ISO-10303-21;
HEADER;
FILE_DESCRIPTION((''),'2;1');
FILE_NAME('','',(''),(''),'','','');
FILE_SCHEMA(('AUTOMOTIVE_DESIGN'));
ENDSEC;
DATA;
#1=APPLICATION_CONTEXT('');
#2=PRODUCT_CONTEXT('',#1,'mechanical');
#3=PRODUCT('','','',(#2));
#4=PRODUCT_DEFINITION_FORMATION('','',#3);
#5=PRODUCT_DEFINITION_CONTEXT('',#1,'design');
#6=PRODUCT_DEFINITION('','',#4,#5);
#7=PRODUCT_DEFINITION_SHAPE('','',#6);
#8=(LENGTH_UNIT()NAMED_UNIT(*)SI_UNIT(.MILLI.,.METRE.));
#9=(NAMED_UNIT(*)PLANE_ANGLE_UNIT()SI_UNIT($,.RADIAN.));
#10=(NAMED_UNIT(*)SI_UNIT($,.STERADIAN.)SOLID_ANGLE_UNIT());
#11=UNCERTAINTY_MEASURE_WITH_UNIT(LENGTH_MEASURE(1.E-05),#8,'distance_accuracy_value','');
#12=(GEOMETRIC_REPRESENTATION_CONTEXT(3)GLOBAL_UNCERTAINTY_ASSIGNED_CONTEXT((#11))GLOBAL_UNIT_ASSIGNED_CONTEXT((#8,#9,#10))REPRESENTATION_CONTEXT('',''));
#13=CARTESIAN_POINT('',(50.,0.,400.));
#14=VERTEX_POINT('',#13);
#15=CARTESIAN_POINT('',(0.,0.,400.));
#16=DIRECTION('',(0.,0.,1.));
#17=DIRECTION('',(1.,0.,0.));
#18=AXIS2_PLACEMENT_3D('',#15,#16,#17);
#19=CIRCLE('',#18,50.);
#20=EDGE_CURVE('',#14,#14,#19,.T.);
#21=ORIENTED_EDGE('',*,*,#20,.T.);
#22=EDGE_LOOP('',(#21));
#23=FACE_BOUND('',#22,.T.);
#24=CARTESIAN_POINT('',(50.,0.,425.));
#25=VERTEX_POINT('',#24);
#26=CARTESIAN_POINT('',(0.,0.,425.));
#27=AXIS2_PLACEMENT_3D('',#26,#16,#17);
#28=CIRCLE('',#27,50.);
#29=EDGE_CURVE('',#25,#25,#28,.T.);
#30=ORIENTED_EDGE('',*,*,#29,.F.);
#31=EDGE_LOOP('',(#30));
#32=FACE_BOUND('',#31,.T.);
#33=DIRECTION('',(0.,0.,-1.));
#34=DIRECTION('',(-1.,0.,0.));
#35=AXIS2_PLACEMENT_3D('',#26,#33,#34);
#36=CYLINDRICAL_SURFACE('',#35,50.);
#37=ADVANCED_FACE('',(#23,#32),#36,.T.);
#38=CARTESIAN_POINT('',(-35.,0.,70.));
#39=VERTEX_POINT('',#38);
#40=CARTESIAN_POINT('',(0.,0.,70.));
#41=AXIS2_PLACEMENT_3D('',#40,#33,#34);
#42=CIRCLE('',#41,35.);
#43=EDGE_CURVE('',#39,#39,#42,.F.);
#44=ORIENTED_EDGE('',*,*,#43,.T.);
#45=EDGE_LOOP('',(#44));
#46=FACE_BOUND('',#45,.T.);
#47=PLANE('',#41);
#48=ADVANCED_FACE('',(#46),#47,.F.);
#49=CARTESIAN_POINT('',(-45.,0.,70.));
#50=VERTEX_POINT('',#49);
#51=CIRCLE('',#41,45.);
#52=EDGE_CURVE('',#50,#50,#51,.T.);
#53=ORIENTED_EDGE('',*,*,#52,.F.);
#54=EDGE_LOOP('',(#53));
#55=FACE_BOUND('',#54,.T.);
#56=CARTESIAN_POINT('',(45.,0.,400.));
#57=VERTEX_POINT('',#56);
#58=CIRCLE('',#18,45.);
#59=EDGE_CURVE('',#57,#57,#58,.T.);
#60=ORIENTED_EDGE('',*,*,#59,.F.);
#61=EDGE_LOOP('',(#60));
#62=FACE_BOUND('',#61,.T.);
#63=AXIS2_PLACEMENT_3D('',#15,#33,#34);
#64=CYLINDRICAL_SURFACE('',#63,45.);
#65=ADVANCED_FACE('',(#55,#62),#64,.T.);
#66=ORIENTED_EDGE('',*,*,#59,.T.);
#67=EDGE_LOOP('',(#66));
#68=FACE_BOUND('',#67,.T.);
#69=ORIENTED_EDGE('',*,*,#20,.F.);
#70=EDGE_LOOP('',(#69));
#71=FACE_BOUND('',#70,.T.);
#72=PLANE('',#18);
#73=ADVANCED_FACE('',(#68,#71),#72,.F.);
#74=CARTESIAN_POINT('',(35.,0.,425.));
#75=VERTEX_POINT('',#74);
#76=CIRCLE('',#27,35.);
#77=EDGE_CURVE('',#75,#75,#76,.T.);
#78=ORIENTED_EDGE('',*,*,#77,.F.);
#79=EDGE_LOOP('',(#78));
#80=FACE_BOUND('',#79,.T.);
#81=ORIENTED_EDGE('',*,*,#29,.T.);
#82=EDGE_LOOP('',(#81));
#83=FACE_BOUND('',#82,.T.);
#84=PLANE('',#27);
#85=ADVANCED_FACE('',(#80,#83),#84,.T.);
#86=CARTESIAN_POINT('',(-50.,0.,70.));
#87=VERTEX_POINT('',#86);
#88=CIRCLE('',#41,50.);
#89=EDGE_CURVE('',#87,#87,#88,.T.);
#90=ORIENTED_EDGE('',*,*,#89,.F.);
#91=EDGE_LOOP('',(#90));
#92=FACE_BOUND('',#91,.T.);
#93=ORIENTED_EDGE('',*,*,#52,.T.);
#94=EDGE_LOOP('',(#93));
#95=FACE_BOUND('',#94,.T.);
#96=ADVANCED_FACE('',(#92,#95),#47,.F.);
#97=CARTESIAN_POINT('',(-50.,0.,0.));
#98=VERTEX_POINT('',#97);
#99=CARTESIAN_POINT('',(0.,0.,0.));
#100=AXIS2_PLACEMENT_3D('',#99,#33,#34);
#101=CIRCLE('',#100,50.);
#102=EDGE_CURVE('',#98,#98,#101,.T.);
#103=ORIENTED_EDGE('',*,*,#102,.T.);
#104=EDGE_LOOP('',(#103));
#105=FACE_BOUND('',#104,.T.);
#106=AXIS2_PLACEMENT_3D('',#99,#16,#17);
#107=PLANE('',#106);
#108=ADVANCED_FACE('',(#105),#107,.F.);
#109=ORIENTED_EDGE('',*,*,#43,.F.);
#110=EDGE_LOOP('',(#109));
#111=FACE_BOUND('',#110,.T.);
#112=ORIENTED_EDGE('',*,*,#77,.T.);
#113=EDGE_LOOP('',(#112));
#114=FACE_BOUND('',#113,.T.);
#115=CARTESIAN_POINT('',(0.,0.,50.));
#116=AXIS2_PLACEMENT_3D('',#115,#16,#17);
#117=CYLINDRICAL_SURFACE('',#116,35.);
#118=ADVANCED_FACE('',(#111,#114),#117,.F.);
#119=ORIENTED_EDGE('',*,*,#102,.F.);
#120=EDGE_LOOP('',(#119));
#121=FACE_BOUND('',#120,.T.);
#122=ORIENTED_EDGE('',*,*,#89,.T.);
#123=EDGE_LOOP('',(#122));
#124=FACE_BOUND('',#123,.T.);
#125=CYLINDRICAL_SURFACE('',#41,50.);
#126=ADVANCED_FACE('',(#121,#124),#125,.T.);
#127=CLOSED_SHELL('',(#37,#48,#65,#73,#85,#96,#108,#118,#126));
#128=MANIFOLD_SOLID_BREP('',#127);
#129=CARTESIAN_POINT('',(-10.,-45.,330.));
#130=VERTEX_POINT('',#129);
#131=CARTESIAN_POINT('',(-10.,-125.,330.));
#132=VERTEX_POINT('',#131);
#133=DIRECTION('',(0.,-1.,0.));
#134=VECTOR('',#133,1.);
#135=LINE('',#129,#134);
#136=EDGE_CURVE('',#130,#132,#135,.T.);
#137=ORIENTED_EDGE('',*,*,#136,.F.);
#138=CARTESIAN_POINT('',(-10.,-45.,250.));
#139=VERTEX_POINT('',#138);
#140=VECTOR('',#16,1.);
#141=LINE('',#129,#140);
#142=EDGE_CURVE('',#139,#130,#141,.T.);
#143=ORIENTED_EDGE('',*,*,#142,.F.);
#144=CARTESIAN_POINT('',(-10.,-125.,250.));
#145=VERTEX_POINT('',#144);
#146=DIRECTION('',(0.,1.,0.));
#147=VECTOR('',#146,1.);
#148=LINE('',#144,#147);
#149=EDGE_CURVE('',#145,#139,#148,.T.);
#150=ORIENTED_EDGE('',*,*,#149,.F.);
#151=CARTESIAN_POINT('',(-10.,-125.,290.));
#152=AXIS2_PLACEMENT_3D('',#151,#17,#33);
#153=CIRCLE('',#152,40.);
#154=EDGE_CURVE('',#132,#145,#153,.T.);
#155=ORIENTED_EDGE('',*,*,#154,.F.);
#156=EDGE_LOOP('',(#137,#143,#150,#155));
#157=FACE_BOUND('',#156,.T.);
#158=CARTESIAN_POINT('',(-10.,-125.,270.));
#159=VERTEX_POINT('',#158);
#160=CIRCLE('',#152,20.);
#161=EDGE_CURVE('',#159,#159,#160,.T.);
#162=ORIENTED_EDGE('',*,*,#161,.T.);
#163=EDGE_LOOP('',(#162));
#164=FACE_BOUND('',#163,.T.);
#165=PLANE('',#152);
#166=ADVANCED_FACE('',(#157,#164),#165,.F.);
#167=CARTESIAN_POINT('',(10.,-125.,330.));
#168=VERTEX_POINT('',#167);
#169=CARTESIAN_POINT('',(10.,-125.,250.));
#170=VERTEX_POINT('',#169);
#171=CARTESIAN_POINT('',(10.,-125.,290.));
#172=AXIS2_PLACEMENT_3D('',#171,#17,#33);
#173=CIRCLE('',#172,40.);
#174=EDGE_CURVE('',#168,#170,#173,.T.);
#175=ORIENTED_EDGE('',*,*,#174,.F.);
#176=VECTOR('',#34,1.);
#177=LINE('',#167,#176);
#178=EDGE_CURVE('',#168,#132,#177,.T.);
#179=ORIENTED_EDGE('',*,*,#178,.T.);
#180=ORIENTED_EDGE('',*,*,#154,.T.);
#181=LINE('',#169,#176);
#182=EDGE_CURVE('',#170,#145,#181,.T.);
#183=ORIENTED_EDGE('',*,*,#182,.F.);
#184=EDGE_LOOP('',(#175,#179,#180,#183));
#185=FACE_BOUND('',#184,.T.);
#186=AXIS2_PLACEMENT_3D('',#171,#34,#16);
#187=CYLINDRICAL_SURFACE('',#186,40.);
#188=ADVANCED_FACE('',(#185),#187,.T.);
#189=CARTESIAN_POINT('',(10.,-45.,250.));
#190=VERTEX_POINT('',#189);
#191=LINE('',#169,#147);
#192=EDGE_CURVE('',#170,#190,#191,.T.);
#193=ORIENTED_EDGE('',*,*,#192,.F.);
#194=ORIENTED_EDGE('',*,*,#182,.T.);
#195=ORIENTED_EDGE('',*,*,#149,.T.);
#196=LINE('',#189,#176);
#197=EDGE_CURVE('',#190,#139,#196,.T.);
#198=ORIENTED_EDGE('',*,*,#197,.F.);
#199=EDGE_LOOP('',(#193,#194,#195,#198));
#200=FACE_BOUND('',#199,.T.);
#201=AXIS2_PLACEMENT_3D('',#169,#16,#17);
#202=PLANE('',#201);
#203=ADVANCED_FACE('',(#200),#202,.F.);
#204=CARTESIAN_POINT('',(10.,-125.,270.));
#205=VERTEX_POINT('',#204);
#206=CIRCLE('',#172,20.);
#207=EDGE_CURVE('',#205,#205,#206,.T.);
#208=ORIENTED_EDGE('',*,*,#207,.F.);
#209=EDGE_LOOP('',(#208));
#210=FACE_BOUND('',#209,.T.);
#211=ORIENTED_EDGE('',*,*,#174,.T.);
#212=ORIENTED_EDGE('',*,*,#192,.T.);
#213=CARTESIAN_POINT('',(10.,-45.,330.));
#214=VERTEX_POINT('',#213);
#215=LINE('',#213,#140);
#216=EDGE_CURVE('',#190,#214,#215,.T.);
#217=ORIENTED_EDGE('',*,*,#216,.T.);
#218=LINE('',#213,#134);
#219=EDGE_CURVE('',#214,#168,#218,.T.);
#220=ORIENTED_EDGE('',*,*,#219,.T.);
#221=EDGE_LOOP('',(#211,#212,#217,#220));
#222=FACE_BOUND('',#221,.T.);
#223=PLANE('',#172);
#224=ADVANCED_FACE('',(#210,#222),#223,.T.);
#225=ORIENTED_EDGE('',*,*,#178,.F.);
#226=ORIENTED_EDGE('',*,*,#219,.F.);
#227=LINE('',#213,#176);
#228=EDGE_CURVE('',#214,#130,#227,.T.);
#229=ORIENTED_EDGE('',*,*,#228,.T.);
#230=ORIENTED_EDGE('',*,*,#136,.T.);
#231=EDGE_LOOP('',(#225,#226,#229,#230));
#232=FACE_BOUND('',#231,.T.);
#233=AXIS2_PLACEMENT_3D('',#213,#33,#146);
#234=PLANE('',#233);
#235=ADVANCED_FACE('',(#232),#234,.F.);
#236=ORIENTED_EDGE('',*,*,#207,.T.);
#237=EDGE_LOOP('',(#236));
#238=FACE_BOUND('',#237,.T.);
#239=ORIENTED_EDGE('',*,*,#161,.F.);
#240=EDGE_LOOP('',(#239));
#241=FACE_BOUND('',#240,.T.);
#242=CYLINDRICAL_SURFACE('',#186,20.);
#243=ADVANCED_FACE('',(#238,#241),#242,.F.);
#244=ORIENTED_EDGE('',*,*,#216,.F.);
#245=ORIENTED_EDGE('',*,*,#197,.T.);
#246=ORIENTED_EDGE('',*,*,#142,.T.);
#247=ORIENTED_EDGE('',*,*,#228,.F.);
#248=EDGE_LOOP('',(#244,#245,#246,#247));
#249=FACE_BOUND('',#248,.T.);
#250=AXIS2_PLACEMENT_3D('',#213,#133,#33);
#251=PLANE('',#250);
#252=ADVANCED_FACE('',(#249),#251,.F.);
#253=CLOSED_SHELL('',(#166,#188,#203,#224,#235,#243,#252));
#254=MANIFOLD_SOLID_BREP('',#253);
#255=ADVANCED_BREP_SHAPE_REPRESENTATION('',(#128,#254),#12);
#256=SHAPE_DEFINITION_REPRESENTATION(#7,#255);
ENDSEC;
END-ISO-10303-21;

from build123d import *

# Parameters (mm, degrees)
IZIM1_R                     = 45
Y_KSEKLIK_EKSTR_ZYON1_DEPTH = 400
IZIM2_R                     = 35
KES_EKSTR_ZYON1_DEPTH       = 350
IZIM4_R                     = 50
Y_KSEKLIK_EKSTR_ZYON2_DEPTH = 70
IZIM6_R                     = 50
IZIM6_R_2                   = 35
Y_KSEKLIK_EKSTR_ZYON4_DEPTH = 25
IZIM5_R                     = 20
Y_KSEKLIK_EKSTR_ZYON5_DEPTH = 10


with BuildPart() as part:
    # Çizim1 → Yükseklik-Ekstrüzyon1 (new body)
    with BuildSketch(Plane.XY):
        Circle(IZIM1_R)
    extrude(amount=Y_KSEKLIK_EKSTR_ZYON1_DEPTH)

    # Çizim2 → Kes-Ekstrüzyon1 (cut)
    with BuildSketch(Plane.XY.offset(400)):
        Circle(IZIM2_R)
    extrude(amount=-KES_EKSTR_ZYON1_DEPTH, mode=Mode.SUBTRACT)

    # Çizim4 → Yükseklik-Ekstrüzyon2 (add)
    with BuildSketch(Plane(origin=(0, 0, 0), x_dir=(-1, 0, 0), z_dir=(0, 0, -1))):
        Circle(IZIM4_R)
    extrude(amount=-Y_KSEKLIK_EKSTR_ZYON2_DEPTH)

    # Çizim6 → Yükseklik-Ekstrüzyon4 (add)
    with BuildSketch(Plane.XY.offset(400)):
        with Locations(Location((0, 0, 0), (0, 0, 180))):
            Circle(IZIM6_R)
        Circle(IZIM6_R_2, mode=Mode.SUBTRACT)
    extrude(amount=Y_KSEKLIK_EKSTR_ZYON4_DEPTH)


with BuildPart() as body_2:
    # Çizim5 → Yükseklik-Ekstrüzyon5 (new, symmetric)
    with BuildSketch(Plane(origin=(0, 0, 0), x_dir=(0, 0, -1), z_dir=(1, 0, 0))):
        with BuildLine():
            Line((-330, -45), (-330, -125))
            ThreePointArc((-330, -125), (-290, -165), (-250, -125))
            Line((-250, -125), (-250, -45))
            Line((-250, -45), (-330, -45))
        make_face()
        with Locations((-290, -125)):
            Circle(IZIM5_R, mode=Mode.SUBTRACT)
    extrude(amount=Y_KSEKLIK_EKSTR_ZYON5_DEPTH, both=True)


solid = Compound([part.part, body_2.part])
